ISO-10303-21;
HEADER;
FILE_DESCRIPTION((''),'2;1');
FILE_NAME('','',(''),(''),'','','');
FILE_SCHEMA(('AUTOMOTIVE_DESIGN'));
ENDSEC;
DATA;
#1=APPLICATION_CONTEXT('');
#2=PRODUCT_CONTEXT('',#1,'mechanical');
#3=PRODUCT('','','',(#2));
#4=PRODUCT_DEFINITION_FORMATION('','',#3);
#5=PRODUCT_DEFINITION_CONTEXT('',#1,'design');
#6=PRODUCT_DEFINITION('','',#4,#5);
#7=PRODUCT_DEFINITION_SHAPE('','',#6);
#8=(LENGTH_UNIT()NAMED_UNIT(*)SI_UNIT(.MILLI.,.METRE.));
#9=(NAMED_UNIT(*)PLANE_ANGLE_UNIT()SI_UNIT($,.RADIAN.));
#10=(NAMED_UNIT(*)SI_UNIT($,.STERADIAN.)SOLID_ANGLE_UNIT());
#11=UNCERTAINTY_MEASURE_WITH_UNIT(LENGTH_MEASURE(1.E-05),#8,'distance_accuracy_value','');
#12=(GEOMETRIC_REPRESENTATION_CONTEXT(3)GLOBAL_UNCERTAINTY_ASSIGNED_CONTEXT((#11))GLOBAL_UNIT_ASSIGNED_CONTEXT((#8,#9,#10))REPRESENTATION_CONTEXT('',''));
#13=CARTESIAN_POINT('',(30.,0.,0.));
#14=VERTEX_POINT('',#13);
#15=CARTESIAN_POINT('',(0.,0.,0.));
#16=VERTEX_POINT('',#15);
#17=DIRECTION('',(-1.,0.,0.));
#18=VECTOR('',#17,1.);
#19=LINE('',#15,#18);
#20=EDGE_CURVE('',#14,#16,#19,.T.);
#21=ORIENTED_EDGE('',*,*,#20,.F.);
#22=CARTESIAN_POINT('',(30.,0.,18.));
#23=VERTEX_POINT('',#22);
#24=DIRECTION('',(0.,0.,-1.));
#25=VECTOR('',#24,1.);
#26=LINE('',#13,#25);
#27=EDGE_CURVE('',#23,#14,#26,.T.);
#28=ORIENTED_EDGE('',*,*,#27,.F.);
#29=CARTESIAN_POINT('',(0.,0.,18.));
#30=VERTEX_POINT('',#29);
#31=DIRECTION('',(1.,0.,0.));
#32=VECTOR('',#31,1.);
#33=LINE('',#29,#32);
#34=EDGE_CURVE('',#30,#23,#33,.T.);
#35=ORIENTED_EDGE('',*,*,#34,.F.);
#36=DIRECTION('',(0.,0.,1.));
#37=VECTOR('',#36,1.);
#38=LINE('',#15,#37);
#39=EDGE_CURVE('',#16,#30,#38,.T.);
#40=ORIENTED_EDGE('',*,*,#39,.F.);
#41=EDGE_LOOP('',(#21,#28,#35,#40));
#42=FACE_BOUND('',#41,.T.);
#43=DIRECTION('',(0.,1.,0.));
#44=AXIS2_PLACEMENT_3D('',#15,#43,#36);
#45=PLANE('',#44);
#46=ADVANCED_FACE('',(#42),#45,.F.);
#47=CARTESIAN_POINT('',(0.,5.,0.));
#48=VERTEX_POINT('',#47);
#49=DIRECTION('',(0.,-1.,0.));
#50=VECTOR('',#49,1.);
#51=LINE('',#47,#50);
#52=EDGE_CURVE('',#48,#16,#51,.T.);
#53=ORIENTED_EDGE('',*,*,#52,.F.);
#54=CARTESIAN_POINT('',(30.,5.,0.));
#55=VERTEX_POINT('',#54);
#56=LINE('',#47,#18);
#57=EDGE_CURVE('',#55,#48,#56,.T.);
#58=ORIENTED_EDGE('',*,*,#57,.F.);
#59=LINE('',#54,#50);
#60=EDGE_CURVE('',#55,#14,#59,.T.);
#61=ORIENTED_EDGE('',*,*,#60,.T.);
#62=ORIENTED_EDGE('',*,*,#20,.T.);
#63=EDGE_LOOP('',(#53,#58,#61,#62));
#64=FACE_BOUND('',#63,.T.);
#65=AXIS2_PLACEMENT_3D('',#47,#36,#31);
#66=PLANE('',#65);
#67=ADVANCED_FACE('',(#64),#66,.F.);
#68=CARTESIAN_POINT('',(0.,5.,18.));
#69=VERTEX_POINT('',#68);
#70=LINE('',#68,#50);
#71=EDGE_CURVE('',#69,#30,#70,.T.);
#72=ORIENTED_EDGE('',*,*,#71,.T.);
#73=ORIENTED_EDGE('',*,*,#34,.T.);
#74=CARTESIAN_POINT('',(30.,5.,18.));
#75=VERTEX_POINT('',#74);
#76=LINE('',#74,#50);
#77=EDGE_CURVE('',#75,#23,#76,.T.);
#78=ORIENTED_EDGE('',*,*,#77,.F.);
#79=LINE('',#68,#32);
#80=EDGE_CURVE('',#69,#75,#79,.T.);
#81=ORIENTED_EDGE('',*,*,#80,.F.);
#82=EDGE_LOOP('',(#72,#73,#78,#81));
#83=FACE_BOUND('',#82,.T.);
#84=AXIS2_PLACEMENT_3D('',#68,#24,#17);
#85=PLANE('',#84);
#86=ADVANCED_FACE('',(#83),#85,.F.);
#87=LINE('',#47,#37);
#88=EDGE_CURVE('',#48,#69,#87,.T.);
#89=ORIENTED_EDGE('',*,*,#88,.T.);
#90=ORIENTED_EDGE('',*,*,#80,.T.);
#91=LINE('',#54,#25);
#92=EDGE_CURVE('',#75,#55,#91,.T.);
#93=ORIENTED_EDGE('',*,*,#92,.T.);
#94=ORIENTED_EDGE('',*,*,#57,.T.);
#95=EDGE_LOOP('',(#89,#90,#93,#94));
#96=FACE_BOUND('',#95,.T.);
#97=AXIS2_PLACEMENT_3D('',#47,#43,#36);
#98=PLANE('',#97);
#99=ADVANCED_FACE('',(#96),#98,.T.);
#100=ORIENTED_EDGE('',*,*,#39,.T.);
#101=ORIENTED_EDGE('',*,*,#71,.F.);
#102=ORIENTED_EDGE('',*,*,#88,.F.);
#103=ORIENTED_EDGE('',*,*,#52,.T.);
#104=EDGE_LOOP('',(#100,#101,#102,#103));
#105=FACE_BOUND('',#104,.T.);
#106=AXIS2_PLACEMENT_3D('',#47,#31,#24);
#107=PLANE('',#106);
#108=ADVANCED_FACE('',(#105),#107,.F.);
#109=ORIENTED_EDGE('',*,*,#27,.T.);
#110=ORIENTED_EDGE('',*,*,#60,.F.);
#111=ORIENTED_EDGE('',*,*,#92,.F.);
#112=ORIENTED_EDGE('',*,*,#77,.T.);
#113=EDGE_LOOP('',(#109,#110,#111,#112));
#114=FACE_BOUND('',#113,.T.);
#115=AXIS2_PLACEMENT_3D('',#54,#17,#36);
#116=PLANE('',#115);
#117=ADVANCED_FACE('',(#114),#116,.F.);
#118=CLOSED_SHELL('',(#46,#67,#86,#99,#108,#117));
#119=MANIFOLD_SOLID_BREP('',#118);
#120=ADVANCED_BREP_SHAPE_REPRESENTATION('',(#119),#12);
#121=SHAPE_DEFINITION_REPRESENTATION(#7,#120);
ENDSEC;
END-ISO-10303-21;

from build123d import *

# Parameters (mm, degrees)
SKETCH_1_W      = 30
SKETCH_1_H      = 18
EXTRUDE_1_DEPTH = 5


with BuildPart() as part:
    # 草图1 → 凸台-拉伸1 (new body)
    with BuildSketch(Plane(origin=(0, 0, 0), x_dir=(1, 0, 0), z_dir=(0, 1, 0))):
        with Locations((15, -9)):
            Rectangle(SKETCH_1_W, SKETCH_1_H)
    extrude(amount=EXTRUDE_1_DEPTH)


solid = part.part
